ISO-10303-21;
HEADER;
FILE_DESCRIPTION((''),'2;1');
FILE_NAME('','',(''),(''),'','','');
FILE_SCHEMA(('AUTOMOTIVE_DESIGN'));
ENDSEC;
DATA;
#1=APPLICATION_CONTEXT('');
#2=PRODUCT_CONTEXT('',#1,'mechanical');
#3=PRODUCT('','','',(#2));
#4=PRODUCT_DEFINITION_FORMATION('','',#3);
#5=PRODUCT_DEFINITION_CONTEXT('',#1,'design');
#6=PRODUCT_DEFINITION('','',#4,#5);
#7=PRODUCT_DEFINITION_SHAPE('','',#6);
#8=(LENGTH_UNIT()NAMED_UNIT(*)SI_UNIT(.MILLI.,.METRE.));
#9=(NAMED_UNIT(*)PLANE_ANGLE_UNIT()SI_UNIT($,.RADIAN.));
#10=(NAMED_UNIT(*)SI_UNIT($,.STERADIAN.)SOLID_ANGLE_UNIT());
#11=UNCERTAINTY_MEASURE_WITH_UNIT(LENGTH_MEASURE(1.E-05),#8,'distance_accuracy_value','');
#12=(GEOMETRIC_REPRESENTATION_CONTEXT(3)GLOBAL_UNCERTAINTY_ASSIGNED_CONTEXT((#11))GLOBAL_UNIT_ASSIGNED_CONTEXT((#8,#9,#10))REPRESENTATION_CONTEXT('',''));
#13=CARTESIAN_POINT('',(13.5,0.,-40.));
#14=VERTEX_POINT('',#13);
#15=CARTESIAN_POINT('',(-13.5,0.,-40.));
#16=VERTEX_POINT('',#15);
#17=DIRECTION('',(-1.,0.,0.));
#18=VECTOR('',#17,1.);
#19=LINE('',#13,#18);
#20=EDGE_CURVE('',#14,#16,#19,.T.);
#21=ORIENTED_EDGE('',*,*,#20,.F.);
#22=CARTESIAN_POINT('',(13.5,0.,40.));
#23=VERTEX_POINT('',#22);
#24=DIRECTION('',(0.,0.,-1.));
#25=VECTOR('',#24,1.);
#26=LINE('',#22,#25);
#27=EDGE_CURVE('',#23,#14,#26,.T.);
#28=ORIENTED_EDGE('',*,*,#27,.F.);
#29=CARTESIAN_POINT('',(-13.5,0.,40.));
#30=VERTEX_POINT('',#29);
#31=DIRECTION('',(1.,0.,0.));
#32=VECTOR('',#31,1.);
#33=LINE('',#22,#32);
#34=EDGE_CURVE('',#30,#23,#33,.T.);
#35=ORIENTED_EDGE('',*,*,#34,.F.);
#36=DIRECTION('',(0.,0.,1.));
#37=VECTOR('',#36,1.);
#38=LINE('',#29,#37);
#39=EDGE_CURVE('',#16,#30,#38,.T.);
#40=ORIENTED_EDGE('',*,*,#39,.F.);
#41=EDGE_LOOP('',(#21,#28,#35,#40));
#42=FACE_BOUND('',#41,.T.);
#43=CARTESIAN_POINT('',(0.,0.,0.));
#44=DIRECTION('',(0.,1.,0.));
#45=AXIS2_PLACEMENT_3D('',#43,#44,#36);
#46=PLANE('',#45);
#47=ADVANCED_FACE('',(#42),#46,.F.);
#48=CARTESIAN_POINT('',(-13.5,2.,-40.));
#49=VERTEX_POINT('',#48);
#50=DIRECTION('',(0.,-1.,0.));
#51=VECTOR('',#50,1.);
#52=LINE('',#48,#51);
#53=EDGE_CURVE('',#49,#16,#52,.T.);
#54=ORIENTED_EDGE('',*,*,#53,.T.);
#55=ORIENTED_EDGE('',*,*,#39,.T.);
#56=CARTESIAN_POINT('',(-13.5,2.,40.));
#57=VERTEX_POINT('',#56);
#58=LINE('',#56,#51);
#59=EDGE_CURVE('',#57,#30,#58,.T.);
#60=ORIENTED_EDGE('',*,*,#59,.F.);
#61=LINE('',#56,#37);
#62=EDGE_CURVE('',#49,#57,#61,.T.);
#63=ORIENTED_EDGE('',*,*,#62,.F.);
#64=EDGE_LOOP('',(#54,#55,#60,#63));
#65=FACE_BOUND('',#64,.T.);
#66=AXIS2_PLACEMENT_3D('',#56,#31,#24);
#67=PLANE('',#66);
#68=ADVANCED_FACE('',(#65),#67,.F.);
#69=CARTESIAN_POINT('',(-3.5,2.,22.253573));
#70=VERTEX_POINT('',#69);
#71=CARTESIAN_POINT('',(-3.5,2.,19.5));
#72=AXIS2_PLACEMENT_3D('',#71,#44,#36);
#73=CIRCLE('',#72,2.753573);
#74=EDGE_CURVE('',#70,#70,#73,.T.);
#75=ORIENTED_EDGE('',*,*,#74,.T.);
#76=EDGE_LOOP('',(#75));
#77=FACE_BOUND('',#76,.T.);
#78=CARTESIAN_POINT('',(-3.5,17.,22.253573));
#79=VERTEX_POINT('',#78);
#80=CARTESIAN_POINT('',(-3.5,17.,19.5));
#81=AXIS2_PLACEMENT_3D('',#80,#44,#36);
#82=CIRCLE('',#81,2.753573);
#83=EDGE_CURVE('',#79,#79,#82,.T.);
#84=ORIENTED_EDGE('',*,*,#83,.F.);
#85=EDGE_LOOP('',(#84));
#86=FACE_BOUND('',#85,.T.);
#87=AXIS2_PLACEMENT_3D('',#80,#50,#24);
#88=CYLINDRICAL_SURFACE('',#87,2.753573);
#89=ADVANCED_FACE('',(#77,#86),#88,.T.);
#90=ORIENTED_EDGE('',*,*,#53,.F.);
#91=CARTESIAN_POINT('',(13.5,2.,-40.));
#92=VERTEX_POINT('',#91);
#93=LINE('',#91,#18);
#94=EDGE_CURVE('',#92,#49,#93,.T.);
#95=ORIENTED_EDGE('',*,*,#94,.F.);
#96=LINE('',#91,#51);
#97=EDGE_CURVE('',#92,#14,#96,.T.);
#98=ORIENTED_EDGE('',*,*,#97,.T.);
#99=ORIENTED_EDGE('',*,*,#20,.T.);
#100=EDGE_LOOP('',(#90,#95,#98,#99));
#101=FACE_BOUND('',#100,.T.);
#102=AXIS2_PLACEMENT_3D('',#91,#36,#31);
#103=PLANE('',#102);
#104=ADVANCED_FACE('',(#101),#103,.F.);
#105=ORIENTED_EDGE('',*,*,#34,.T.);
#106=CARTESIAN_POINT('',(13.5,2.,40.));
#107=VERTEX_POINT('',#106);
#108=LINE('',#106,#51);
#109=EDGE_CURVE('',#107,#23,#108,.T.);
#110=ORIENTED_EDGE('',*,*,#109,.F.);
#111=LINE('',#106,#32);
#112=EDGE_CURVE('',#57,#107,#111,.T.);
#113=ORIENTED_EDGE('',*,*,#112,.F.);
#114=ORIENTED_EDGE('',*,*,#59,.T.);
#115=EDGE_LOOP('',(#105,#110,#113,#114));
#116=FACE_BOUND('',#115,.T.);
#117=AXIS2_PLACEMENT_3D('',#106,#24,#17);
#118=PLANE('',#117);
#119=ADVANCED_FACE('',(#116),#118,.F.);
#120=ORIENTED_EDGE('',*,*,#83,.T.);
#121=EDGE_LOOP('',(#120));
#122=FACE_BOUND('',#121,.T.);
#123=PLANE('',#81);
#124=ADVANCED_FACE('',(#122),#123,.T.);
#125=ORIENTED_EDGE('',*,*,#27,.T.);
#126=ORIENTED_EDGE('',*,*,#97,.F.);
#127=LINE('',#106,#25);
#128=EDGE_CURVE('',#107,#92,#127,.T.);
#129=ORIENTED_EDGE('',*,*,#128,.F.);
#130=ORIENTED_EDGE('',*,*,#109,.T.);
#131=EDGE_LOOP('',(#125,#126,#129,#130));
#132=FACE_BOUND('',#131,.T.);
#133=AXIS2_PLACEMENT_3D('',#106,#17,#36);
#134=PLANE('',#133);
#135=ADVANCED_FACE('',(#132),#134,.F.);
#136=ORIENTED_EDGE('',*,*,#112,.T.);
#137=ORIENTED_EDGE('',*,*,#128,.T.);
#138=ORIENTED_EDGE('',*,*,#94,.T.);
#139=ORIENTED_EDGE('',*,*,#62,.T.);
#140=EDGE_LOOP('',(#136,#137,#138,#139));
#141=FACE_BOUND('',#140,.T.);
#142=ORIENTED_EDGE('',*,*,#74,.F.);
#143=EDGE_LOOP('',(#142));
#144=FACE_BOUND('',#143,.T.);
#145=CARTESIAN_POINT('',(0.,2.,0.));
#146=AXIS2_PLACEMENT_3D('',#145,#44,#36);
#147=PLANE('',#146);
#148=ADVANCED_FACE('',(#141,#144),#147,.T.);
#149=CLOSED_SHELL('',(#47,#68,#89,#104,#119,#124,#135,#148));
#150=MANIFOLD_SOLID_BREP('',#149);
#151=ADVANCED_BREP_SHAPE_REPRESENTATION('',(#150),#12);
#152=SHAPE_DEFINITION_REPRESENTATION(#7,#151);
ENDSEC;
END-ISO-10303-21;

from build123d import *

# Parameters (mm, degrees)
SKETCH1_W           = 27
SKETCH1_H           = 80
BOSS_EXTRUDE1_DEPTH = 2
SKETCH2_R           = 2.753572969
BOSS_EXTRUDE2_DEPTH = 15


with BuildPart() as part:
    # Sketch1 → Boss-Extrude1 (new body)
    with BuildSketch(Plane(origin=(0, 0, 0), x_dir=(1, 0, 0), z_dir=(0, 1, 0))):
        Rectangle(SKETCH1_W, SKETCH1_H)
    extrude(amount=BOSS_EXTRUDE1_DEPTH)

    # Sketch2 → Boss-Extrude2 (add)
    with BuildSketch(Plane(origin=(0, 2, 0), x_dir=(1, 0, 0), z_dir=(0, 1, 0))):
        with Locations(Location((-3.5, -19.5, 0), (0, 0, 270))):
            Circle(SKETCH2_R)
    extrude(amount=BOSS_EXTRUDE2_DEPTH)


solid = part.part
